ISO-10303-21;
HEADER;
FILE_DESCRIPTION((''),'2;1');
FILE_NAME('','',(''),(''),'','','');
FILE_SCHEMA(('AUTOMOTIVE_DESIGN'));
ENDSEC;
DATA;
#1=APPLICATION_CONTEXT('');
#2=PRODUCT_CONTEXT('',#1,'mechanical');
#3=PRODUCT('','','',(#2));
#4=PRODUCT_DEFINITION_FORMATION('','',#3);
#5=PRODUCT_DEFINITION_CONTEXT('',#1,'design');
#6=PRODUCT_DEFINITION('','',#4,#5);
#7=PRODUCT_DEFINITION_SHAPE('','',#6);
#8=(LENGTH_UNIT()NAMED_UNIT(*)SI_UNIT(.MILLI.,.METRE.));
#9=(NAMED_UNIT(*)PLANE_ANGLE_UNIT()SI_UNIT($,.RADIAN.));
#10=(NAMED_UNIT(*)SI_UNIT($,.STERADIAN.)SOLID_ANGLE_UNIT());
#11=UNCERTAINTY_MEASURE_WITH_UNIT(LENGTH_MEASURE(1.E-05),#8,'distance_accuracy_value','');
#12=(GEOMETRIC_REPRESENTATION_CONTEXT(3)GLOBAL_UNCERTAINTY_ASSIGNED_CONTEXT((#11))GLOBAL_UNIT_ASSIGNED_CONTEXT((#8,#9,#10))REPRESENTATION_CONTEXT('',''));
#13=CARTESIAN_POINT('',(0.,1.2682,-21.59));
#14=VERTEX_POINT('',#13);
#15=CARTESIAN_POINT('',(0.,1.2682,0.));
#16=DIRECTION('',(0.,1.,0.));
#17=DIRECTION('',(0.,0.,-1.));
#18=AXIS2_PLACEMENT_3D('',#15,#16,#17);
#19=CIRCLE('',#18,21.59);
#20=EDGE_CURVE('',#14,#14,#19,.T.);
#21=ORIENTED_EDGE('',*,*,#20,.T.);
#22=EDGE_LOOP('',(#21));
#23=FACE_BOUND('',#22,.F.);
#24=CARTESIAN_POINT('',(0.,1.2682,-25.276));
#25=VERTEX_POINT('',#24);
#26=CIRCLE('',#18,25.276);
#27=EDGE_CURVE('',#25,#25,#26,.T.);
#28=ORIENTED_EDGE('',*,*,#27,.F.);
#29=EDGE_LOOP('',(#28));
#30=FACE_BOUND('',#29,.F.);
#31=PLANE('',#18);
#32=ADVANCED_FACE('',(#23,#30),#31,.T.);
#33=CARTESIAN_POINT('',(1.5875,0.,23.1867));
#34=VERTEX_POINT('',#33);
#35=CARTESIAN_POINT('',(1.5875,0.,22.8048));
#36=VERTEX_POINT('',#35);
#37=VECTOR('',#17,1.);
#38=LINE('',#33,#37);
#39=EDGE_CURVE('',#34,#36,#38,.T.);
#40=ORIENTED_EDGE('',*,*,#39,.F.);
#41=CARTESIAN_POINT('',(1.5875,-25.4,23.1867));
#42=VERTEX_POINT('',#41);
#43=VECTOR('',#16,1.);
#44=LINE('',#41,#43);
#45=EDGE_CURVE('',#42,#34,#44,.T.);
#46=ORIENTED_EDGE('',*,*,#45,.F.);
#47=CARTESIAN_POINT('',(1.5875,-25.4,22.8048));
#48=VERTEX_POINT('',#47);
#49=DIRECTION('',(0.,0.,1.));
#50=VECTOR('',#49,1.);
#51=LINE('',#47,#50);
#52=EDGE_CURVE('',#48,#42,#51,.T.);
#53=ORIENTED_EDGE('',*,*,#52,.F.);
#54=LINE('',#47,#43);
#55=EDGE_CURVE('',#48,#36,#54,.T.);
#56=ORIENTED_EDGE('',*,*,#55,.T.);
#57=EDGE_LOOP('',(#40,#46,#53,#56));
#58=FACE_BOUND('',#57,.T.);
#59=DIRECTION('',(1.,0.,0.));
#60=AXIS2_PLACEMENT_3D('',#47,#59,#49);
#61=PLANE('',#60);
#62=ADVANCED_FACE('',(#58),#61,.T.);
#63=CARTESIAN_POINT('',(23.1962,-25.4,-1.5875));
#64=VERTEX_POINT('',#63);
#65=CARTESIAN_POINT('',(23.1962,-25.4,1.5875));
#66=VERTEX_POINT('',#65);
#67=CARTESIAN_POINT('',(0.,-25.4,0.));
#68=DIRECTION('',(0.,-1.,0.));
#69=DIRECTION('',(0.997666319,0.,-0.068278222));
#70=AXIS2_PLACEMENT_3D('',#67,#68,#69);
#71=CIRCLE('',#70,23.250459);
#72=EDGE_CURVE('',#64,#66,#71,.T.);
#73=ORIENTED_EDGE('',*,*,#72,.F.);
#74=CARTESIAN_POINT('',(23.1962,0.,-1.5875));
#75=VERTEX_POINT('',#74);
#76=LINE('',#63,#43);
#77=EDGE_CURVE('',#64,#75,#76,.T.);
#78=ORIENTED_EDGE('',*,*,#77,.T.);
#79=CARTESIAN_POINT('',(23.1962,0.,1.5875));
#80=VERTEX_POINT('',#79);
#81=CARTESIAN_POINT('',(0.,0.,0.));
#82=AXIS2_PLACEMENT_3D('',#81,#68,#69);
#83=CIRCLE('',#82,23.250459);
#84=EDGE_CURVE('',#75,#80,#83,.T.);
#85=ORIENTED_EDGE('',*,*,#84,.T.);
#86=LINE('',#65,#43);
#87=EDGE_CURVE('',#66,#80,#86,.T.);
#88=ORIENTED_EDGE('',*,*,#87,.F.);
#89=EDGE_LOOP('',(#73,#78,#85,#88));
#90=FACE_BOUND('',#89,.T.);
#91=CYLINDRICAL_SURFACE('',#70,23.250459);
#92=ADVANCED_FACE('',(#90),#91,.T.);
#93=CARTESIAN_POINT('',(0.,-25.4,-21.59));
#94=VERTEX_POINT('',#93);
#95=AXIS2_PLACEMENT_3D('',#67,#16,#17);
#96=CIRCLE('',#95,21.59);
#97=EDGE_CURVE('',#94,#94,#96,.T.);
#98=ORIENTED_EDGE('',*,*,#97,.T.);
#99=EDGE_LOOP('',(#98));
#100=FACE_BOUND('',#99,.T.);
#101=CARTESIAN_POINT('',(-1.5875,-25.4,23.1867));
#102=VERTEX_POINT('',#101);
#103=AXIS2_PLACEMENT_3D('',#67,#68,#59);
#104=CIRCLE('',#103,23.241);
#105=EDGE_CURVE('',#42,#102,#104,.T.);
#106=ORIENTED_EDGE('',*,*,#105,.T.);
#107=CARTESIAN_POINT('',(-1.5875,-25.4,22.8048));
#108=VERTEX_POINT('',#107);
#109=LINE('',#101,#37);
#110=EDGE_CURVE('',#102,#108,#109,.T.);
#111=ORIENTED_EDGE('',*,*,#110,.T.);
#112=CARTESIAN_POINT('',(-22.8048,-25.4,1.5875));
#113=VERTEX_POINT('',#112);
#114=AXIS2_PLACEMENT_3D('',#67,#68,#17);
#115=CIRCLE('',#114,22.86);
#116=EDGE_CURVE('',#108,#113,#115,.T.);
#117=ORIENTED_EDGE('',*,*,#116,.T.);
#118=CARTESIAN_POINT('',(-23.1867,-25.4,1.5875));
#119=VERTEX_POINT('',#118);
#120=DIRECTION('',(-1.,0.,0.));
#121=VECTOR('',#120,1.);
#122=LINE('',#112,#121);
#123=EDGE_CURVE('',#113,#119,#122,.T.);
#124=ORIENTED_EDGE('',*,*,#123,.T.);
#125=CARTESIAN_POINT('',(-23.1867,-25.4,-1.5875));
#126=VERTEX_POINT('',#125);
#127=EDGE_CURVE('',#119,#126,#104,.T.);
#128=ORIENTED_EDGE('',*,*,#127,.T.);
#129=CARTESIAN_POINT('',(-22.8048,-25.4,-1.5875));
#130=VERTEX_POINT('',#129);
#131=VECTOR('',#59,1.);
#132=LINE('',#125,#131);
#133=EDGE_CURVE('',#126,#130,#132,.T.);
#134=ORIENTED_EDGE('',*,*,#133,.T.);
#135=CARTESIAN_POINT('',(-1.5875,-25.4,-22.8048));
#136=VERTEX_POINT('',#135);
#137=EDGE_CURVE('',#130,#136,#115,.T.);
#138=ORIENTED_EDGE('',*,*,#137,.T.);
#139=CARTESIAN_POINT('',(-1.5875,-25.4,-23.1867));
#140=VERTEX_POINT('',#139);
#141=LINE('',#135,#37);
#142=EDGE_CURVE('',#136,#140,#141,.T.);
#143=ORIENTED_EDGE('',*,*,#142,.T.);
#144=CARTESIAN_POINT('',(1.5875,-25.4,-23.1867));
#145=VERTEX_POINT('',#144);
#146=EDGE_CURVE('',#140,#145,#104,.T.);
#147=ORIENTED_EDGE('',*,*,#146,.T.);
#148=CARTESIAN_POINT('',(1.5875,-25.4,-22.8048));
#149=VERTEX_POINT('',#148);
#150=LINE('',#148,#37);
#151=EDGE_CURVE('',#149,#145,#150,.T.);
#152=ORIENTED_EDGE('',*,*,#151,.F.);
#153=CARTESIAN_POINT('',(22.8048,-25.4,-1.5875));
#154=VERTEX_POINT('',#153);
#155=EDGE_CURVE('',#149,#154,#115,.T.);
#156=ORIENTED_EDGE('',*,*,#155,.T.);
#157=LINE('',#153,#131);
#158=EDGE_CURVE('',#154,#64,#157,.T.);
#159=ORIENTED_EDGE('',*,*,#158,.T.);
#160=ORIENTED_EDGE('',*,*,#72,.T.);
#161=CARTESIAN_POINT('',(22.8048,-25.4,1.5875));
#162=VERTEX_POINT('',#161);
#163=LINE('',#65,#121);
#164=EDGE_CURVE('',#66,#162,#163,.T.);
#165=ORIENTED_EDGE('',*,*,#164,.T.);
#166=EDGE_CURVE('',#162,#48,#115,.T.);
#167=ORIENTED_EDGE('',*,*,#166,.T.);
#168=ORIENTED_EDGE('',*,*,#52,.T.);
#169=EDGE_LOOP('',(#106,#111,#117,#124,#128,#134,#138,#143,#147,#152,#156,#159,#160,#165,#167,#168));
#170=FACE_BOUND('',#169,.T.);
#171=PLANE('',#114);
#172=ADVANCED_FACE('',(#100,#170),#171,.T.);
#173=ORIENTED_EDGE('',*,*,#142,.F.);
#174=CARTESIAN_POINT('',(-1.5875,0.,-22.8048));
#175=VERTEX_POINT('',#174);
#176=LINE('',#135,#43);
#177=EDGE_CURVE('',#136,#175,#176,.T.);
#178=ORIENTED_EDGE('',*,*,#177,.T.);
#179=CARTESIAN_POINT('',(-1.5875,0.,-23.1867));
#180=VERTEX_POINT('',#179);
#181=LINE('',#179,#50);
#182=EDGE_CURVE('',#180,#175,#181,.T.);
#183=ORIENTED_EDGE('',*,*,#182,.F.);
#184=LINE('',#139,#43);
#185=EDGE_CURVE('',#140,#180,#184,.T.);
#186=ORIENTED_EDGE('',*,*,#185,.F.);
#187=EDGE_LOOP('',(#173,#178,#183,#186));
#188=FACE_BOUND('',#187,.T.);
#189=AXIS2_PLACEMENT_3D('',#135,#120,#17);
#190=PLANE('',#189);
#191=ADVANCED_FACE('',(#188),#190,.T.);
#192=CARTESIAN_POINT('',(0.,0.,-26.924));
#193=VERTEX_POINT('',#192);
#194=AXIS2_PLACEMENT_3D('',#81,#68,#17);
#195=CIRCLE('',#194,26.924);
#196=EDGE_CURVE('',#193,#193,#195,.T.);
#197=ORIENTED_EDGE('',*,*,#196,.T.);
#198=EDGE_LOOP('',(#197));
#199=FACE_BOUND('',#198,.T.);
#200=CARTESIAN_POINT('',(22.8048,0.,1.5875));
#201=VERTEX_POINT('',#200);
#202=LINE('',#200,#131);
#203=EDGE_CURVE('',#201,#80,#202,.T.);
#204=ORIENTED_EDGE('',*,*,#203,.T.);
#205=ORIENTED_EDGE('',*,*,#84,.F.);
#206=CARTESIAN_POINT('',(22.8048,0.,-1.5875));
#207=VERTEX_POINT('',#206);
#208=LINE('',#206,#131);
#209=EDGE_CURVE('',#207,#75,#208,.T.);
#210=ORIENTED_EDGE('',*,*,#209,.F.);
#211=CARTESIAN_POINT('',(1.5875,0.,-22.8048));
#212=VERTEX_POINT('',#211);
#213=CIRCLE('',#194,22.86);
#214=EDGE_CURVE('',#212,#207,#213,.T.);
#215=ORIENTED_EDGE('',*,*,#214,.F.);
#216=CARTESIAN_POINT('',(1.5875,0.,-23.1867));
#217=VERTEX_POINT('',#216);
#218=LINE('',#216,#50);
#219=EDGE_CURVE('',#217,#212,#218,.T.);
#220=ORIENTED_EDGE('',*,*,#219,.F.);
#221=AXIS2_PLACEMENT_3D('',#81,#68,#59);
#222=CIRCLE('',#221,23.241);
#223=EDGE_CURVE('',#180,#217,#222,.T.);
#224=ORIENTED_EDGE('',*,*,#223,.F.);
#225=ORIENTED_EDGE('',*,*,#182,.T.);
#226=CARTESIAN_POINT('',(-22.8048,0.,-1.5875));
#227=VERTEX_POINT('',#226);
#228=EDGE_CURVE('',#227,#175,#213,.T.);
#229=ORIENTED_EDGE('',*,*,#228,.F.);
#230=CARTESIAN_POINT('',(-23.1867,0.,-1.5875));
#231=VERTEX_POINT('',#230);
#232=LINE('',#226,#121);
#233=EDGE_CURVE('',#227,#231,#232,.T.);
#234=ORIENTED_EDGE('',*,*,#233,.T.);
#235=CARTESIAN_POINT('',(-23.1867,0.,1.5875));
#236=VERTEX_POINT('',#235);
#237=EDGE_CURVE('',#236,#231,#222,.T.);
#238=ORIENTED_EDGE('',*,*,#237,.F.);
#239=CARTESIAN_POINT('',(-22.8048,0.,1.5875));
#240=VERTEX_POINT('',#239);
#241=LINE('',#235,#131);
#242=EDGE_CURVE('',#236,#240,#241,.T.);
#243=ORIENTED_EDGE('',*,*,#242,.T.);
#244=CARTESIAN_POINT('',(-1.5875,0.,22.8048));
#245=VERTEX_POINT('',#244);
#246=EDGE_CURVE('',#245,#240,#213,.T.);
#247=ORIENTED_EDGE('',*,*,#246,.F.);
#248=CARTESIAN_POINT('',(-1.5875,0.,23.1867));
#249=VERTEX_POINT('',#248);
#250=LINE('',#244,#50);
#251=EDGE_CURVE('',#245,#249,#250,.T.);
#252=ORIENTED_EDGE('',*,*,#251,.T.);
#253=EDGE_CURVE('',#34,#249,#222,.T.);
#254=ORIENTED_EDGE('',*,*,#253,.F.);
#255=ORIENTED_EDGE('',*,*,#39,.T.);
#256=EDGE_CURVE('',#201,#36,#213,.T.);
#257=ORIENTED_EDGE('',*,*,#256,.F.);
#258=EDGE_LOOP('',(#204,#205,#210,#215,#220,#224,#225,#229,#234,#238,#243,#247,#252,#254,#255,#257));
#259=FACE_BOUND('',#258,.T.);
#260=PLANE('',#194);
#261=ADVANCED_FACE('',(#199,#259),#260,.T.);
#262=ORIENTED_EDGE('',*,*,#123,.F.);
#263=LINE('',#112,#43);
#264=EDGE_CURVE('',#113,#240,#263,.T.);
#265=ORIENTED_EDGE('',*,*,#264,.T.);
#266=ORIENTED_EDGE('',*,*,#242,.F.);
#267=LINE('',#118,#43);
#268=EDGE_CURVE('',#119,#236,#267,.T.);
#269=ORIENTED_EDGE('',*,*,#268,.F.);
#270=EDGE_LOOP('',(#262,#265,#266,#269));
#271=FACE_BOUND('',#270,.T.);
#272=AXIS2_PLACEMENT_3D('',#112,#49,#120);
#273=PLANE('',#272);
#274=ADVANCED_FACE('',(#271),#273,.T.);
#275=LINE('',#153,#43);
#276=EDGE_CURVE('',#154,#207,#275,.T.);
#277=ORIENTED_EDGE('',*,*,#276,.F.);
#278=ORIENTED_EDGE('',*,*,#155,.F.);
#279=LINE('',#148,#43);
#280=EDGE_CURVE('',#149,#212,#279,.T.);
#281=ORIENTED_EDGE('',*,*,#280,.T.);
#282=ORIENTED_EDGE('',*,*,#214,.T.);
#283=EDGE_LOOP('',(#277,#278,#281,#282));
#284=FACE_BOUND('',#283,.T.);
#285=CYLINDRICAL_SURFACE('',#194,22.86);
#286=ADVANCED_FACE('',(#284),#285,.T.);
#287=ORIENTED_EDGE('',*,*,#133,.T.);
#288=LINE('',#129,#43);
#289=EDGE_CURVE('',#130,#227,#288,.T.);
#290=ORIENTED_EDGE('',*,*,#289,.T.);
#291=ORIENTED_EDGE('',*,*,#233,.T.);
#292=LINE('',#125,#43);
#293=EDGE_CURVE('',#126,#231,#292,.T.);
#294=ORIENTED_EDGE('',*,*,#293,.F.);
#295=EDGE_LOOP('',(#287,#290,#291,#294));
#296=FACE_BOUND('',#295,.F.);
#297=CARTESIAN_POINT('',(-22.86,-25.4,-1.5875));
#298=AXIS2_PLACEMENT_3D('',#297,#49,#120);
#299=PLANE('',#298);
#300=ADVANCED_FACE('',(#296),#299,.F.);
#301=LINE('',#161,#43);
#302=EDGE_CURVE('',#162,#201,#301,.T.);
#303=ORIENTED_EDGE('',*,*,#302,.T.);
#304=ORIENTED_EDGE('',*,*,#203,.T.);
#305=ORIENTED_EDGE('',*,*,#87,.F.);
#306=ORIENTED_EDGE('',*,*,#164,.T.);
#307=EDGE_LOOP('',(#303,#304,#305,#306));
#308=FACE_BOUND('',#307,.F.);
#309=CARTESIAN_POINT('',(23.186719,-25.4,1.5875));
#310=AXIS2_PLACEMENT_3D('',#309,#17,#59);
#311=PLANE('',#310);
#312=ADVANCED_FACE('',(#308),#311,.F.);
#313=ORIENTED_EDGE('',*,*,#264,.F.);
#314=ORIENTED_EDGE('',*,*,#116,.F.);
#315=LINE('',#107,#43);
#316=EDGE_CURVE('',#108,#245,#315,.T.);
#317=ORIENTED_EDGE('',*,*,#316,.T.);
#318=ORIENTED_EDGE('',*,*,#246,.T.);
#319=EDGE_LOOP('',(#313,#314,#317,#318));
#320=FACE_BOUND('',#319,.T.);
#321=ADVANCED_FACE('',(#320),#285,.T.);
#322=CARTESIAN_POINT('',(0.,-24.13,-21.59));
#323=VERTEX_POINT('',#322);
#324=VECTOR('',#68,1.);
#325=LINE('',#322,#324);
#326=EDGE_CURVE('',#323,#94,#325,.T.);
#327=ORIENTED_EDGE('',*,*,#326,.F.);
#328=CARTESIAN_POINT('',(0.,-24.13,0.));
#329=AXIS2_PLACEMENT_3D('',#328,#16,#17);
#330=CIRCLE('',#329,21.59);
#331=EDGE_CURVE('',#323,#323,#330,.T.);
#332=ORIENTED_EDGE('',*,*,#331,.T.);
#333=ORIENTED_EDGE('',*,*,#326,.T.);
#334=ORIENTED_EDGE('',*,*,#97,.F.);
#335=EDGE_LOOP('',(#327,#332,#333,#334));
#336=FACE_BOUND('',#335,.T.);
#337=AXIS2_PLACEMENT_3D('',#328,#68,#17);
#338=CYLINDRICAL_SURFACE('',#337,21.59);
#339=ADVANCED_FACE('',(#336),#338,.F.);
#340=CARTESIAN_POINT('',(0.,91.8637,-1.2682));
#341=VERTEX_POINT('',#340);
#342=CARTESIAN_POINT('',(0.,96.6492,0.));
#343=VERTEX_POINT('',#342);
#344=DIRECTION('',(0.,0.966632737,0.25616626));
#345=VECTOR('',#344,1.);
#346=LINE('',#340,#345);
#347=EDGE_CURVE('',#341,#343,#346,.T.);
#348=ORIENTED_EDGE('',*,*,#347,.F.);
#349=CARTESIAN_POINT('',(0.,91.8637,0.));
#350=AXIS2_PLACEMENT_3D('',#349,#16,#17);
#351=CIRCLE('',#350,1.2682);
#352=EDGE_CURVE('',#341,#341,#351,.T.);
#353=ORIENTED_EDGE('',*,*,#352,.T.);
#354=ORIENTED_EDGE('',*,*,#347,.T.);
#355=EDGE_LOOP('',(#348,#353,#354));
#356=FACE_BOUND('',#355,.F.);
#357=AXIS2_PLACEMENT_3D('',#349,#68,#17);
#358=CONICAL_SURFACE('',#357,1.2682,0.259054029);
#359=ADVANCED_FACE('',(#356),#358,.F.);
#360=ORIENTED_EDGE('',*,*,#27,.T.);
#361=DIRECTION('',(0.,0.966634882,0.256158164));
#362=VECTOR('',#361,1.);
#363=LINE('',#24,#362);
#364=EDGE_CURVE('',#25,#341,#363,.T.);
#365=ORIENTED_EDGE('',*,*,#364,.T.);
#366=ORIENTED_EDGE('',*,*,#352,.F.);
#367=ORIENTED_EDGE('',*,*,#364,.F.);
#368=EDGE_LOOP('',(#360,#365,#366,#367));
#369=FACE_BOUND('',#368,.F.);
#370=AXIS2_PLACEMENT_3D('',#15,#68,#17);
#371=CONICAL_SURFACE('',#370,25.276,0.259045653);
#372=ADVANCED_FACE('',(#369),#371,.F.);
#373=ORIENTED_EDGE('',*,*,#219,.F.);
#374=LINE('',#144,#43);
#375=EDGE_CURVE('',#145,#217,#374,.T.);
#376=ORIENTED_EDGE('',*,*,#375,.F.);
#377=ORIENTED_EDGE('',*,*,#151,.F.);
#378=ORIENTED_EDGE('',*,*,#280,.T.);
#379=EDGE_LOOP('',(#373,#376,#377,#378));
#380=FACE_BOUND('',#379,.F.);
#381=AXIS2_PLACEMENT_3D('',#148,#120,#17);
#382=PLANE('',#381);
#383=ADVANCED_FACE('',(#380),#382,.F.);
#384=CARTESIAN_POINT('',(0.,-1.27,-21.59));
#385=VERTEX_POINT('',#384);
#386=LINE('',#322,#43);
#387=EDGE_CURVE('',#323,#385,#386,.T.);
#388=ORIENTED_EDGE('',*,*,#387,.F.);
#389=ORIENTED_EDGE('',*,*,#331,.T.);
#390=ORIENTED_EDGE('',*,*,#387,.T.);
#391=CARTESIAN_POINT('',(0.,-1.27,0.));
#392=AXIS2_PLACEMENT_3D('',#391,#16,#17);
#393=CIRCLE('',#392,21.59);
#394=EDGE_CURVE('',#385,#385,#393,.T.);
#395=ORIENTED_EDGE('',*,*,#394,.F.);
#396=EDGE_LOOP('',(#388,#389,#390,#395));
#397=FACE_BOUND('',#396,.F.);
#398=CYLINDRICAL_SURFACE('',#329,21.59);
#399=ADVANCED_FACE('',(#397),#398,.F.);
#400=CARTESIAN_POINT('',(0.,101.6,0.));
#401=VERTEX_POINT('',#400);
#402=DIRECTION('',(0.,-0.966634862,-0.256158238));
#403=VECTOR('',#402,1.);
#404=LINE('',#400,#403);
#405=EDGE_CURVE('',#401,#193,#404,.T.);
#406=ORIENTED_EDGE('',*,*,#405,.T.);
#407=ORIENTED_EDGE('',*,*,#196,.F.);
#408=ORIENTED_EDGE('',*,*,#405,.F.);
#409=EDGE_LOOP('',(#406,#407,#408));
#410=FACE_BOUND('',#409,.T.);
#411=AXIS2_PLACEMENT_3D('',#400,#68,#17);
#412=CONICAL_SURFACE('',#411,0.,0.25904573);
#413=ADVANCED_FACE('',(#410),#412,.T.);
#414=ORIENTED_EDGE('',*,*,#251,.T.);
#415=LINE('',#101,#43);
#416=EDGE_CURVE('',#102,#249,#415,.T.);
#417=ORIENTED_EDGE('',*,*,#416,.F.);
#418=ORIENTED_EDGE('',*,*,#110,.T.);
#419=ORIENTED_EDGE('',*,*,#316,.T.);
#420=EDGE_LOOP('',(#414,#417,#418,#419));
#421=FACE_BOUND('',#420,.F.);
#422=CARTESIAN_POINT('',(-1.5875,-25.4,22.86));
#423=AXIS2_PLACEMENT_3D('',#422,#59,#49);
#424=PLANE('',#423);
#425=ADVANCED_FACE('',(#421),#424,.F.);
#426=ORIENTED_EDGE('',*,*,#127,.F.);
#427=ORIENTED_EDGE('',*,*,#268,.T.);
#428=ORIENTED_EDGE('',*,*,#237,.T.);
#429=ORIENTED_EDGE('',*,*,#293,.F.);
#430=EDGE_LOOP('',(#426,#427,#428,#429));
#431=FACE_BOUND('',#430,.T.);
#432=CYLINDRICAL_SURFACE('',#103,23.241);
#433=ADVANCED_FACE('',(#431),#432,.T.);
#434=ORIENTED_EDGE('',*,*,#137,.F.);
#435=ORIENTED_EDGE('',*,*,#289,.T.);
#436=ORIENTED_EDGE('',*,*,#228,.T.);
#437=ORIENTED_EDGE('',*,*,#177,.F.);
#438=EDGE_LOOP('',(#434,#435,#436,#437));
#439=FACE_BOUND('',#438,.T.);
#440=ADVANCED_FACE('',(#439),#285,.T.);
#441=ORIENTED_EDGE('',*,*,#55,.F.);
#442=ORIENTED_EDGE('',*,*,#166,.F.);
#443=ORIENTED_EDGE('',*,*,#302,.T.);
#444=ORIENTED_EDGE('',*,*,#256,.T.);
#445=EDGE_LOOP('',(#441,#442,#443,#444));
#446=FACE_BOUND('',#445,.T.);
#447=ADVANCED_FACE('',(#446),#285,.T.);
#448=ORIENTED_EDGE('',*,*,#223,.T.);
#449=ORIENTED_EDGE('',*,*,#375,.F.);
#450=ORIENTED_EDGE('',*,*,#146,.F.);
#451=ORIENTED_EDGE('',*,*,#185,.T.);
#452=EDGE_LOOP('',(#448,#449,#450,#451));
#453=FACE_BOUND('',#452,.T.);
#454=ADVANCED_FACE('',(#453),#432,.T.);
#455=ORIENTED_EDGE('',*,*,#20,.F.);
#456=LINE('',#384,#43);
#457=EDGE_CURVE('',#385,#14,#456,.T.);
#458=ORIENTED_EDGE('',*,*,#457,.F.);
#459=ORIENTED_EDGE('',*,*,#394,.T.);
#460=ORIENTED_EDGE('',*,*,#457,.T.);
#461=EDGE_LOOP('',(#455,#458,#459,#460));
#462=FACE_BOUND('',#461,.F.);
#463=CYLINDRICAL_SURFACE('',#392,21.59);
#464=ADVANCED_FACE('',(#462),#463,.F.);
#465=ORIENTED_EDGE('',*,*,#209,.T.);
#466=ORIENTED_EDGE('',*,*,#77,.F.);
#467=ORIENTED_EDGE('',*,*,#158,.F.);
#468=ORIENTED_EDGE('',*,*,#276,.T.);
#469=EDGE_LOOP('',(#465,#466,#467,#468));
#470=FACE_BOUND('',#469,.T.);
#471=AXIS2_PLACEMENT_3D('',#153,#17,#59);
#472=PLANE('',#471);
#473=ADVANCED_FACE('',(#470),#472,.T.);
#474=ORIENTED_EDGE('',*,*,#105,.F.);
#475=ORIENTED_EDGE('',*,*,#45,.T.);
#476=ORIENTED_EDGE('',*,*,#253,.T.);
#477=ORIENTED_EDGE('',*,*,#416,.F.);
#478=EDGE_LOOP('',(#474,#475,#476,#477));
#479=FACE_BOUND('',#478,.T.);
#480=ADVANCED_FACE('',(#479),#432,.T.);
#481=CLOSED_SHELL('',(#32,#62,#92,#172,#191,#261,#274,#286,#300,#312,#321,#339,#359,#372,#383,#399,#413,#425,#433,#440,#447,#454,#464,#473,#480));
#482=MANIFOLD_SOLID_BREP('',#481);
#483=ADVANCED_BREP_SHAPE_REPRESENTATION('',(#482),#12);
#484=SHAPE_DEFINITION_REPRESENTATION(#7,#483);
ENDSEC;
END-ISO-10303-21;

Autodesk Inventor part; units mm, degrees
ref_plane "YZ Plane" through (0, 0, 0) normal (1, 0, 0) x (0, 1, 0)
ref_plane "XZ Plane" through (0, 0, 0) normal (0, 1, 0) x (-1, 0, 0)
ref_plane "XY Plane" through (0, 0, 0) normal (0, 0, 1) x (1, 0, 0)
sketch "Sketch1" plane through (0, 0, 0) normal (1, 0, 0) x (0, 1, 0)
  line L0 (0, -22.86) -> (-25.4, -22.86)
  line L1 (-25.4, -22.86) -> (-25.4, 0)
  line L2 (-25.4, 0) -> (0, 0)
  line L3 (101.6, 0) -> (0, -26.924)
  line L4 (101.6, 0) -> (0, 0)
  line L5 (1.2682, -25.276) -> (91.8637, -1.2682)
  line L6 (-24.13, -21.59) -> (-1.27, -21.59)
  line L7 (-1.27, -21.59) -> (1.2682, -21.59)
  line L8 (-24.13, -21.59) -> (-25.4, -21.59)
  line L9 (91.8637, -1.2682) -> (96.6492, 0)
  line L10 (1.2682, -21.59) -> (1.2682, -25.276)
  line L11 (0, -26.924) -> (0, -22.86)
  dimension "d27" = 1.27
revolve "Revolution1" add sketch "Sketch1" angle 360 about axis through (0, 101.6, 0) along (0, -1, 0) contours L0 L1 L8 L6 L7 L10 L5 L9 L4 L3 L11
revolve "Revolution2" add sketch "Sketch1" angle 360 about axis through (0, -25.4, 0) along (0, 1, 0) contours L1 L2 L4 L9 L5 L10 L7 L6 L8
sketch "Sketch2" plane through (0, -25.4, 0) normal (0, -1, 0) x (1, 0, 0)
  line L0 (0, 0) -> (22.86, 0)
  circle A0 centre (0, 0) radius 22.86 projected
  arc A1 (23.1962, -1.5875) -> (23.1962, 1.5875) centre (0, 0) ccw
  line L1 (22.8048, 1.5875) -> (23.1962, 1.5875)
  line L2 (22.8048, -1.5875) -> (23.1962, -1.5875)
  line L3 (0, -22.86) -> (1.5875, -22.86)
  line L4 (0, -22.86) -> (1.5875, -22.86) construction
  line L5 (0, -22.86) -> (-1.5875, -22.86)
  circle A2 centre (0, 0) radius 23.241
  line L6 (-1.5875, -22.8048) -> (-1.5875, -23.1867)
  line L7 (1.5875, -22.8048) -> (1.5875, -23.1867)
  line L8 (-22.86, 0) -> (-22.86, -1.5875)
  line L9 (-22.86, 0) -> (-22.86, 1.5875)
  line L10 (-22.8048, 1.5875) -> (-23.1867, 1.5875)
  line L11 (-22.8048, -1.5875) -> (-23.1867, -1.5875)
  line L12 (0, 22.86) -> (1.5875, 22.86)
  line L13 (0, 22.86) -> (1.5875, 22.86) construction
  line L14 (0, 22.86) -> (-1.5875, 22.86)
  line L15 (0, 22.86) -> (1.5875, 22.86) construction
  line L16 (-1.5875, 22.8048) -> (-1.5875, 23.1867)
  line L17 (1.5875, 22.8048) -> (1.5875, 23.1867)
  dimension "d14" = 1.5875
  dimension "d16" = 1.5875
  dimension "d17" = 0.381
  dimension "d18" = 1.5875
  dimension "d19" = 1.5875
  dimension "d21" = 1.5875
  dimension "d22" = 0
  dimension "d23" = 1.5875
  dimension "d24" = 180
extrude "Extrusion1" add sketch "Sketch2" against normal blind 25.4 contours A0 L1 A2 L2 | A0 L12 L17 | L1 A1 L2 A2 | L7 L3 A0 | L14 L16 A2 L17 L12 | A0 L16 L14 | L5 L6 A0 | L3 L7 A2 L6 L5 | A0 L9 L10 | L10 L9 L8 L11 A2 | L11 L8 A0
revolve "Revolution3" cut sketch "Sketch1" angle 360 about axis through (0, -25.4, 0) along (0, 1, 0) contours L1 L2 L4 L9 L5 L10 L7 L6 L8
revolve "Revolution4" cut sketch "Sketch1" angle 360 about axis through (0, 101.6, 0) along (0, -1, 0) contours L1 L2 L4 L9 L5 L10 L7 L6 L8
properties part number "Nose Cone MK I"
